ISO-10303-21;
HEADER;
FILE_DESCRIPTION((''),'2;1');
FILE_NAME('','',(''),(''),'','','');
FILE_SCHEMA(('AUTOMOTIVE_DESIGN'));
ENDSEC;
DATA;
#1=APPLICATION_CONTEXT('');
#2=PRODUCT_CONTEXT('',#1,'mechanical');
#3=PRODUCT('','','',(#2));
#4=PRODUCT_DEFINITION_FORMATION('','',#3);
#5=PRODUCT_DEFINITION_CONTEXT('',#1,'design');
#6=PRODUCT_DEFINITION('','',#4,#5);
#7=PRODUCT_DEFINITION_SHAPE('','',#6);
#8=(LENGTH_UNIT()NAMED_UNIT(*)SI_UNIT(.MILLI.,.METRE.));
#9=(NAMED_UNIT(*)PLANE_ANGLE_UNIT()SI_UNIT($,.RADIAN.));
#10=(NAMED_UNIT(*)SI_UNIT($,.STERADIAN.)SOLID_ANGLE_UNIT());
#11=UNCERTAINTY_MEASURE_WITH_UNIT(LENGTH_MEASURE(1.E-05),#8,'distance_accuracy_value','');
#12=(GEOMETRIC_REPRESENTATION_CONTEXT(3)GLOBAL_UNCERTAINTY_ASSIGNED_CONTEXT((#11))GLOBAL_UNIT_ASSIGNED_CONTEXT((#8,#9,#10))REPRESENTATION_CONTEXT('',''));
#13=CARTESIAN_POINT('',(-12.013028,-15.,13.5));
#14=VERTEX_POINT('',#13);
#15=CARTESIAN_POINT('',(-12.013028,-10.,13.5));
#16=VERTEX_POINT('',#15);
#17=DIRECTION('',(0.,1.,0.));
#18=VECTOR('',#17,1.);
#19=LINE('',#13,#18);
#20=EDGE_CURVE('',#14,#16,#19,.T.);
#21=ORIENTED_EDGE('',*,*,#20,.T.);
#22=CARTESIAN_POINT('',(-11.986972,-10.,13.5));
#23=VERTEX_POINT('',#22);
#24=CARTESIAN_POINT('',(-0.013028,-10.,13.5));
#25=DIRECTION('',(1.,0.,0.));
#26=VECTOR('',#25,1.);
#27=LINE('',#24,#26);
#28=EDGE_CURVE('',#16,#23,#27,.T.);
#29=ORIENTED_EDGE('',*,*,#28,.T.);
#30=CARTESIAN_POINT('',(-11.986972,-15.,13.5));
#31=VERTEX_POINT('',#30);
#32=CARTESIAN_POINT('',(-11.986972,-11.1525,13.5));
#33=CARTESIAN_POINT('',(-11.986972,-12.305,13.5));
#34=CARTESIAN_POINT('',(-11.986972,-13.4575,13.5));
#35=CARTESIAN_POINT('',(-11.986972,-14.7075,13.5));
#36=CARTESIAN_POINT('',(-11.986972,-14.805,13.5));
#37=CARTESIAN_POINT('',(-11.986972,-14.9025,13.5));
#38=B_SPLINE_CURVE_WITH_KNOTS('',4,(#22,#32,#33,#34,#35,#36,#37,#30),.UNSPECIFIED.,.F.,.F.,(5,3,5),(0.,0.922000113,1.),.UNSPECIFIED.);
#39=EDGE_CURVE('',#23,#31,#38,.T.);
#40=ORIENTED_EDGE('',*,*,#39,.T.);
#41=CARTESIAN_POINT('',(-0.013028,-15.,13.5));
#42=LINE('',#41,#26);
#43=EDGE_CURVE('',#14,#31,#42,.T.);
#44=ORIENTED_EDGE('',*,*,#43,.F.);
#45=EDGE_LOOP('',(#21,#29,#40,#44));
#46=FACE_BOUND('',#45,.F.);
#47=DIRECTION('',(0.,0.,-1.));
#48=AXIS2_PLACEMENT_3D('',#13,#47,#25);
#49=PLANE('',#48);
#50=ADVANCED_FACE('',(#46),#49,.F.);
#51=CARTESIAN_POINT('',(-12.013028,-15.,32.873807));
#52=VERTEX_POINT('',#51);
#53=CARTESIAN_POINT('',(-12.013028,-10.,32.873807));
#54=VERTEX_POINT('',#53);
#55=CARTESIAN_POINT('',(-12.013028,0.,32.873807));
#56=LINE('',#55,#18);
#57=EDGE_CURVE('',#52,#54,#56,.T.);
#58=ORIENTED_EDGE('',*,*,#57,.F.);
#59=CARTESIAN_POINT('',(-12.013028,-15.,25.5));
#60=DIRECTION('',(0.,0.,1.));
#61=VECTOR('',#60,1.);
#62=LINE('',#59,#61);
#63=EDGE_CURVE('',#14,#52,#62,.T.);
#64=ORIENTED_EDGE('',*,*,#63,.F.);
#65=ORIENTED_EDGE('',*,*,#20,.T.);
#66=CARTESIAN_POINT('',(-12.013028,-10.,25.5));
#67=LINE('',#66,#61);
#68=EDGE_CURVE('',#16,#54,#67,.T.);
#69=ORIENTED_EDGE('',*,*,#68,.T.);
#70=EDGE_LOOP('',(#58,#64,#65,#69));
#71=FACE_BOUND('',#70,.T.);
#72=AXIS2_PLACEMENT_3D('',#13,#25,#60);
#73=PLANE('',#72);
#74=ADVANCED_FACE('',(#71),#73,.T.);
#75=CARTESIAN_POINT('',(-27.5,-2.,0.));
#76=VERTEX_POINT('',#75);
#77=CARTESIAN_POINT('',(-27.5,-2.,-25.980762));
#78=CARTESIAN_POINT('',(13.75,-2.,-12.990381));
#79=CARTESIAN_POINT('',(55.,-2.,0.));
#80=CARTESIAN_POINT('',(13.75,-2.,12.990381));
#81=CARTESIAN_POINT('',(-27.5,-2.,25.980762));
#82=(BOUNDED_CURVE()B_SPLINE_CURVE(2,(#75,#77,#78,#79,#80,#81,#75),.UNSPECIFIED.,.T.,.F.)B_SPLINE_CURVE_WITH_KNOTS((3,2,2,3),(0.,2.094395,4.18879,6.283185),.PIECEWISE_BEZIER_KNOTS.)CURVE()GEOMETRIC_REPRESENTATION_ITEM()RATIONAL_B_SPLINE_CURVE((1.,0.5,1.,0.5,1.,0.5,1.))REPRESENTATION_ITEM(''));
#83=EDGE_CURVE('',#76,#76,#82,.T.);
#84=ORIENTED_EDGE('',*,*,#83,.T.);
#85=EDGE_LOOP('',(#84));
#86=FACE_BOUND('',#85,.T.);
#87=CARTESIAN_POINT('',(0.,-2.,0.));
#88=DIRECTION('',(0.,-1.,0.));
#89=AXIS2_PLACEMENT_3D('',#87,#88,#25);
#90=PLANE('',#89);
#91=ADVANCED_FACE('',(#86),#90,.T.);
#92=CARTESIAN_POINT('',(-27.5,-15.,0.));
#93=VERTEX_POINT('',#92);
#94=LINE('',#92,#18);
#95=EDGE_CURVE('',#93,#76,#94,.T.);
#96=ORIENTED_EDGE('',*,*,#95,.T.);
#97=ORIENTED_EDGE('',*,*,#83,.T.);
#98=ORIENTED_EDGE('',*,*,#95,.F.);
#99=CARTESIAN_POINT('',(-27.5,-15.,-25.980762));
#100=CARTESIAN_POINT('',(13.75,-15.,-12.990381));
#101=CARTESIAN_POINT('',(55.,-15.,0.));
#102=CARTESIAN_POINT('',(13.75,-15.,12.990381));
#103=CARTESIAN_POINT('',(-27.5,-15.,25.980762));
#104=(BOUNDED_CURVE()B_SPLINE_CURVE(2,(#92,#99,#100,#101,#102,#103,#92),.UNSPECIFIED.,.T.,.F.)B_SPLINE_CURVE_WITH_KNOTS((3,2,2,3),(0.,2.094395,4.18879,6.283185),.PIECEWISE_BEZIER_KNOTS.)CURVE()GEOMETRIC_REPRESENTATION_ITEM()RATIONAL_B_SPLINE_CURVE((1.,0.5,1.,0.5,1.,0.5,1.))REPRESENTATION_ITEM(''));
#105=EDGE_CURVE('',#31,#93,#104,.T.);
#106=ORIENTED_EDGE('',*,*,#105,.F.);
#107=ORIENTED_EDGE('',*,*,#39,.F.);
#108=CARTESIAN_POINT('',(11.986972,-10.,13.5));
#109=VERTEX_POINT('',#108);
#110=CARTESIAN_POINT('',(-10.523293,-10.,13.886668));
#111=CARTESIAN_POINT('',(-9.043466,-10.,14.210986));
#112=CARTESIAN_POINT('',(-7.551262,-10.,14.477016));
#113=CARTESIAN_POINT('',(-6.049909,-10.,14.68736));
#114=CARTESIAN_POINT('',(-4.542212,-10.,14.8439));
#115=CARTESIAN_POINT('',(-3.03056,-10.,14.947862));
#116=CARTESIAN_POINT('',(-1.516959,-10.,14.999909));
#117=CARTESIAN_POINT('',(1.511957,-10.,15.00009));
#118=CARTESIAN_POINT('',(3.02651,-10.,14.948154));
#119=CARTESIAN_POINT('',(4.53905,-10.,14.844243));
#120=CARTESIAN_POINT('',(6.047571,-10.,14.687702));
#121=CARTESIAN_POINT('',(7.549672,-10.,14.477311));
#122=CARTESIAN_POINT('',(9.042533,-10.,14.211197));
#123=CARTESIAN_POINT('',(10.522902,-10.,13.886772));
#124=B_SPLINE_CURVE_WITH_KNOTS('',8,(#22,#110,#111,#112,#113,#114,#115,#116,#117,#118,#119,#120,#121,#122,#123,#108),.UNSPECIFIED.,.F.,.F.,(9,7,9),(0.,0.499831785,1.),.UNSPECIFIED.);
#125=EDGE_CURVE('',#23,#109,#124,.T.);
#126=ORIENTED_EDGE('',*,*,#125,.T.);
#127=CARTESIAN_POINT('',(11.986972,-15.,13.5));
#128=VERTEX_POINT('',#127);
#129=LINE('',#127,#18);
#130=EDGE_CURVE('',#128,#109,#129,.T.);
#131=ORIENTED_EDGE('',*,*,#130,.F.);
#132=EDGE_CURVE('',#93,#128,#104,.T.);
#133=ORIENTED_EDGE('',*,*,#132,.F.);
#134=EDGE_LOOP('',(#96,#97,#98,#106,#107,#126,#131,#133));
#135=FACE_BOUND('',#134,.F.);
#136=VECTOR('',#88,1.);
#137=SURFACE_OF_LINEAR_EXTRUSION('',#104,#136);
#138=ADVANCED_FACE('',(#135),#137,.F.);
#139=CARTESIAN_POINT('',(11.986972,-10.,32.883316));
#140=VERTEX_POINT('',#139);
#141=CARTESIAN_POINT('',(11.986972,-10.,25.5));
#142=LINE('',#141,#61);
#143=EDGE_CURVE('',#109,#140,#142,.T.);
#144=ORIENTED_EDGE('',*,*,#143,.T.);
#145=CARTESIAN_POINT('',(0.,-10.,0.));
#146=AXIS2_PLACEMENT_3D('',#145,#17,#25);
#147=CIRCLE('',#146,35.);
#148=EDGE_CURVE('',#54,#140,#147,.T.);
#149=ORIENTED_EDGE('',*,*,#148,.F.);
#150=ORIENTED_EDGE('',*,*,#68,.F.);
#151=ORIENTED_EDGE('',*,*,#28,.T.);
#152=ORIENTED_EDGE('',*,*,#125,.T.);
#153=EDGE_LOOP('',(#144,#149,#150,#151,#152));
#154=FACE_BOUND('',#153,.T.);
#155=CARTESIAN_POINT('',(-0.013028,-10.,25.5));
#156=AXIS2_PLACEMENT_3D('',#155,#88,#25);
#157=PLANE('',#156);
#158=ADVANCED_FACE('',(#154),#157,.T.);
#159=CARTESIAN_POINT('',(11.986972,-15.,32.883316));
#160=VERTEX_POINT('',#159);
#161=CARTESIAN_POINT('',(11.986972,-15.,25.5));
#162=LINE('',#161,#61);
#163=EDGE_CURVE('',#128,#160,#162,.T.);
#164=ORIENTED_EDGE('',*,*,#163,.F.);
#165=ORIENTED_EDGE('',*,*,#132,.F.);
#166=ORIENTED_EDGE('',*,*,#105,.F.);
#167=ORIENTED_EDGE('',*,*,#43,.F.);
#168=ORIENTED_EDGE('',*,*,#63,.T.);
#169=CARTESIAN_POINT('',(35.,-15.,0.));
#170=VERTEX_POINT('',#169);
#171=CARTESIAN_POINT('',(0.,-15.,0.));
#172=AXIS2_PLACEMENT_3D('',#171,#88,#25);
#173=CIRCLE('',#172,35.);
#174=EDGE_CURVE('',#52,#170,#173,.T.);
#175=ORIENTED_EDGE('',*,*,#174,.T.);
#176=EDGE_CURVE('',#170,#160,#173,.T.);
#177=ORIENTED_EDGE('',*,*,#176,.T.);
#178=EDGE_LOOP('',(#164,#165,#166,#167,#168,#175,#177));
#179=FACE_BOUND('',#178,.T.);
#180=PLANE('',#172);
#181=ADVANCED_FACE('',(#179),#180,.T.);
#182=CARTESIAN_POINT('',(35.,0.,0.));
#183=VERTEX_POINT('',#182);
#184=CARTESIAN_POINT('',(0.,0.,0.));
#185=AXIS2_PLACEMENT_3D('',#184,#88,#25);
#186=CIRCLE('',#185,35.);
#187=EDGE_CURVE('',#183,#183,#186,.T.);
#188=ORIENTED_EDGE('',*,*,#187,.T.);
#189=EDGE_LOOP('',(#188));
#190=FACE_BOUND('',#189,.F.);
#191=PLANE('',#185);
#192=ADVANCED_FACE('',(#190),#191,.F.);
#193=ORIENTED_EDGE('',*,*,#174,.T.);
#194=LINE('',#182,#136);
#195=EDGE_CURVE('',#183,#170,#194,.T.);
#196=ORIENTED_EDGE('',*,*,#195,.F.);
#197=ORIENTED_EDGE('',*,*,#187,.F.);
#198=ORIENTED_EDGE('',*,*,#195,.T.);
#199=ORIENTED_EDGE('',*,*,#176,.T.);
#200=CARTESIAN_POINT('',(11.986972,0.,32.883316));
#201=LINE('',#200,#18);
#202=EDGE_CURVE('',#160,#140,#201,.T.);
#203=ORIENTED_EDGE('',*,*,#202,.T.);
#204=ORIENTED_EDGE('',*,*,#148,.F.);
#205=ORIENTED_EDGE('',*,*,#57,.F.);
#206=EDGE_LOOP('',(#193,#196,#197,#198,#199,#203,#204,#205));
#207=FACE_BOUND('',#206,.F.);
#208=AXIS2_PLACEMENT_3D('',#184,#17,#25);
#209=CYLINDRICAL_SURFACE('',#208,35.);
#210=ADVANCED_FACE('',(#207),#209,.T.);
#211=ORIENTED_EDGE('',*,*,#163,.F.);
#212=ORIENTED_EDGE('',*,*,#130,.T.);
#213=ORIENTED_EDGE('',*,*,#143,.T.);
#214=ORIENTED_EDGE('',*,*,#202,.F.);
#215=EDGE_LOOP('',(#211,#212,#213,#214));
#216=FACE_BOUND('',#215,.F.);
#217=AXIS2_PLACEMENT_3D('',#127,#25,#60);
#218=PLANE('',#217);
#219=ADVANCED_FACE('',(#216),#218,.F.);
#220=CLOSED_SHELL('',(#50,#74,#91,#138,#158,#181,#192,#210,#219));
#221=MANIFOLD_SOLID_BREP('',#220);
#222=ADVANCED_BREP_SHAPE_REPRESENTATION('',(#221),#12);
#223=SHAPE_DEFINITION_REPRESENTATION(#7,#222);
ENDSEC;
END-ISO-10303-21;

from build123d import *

# Parameters (mm, degrees)
F0_R     = 35
F1_DEPTH = 15
F3_DEPTH = 13
F4_W     = 24
F4_H     = 24
F5_DEPTH = 5


with BuildPart() as f1:
    # F0 (on Front) → F1 (new body)
    with BuildSketch(Plane.XZ):
        Circle(F0_R)
    extrude(amount=F1_DEPTH)

    # F2 (on face) → F3 (cut)
    with BuildSketch(Plane.XZ.offset(15)):
        with BuildLine():
            add(Edge.make_bspline(
                [(-27.5, 0), (-27.5, -25.980762), (13.75, -12.990381), (55, 0), (13.75, 12.990381), (-27.5, 25.980762), (-27.5, 0)],
                knots=[0, 0, 0, 2.094395, 2.094395, 4.18879, 4.18879, 6.283185, 6.283185, 6.283185], degree=2, weights=[1, 0.5, 1, 0.5, 1, 0.5, 1]))
        make_face()
    extrude(amount=-F3_DEPTH, mode=Mode.SUBTRACT)

    # F4 (on face) → F5 (cut)
    with BuildSketch(Plane.XZ.offset(15)):
        with Locations((-0.013028, 25.5)):
            Rectangle(F4_W, F4_H)
    extrude(amount=-F5_DEPTH, mode=Mode.SUBTRACT)


solid = f1.part
